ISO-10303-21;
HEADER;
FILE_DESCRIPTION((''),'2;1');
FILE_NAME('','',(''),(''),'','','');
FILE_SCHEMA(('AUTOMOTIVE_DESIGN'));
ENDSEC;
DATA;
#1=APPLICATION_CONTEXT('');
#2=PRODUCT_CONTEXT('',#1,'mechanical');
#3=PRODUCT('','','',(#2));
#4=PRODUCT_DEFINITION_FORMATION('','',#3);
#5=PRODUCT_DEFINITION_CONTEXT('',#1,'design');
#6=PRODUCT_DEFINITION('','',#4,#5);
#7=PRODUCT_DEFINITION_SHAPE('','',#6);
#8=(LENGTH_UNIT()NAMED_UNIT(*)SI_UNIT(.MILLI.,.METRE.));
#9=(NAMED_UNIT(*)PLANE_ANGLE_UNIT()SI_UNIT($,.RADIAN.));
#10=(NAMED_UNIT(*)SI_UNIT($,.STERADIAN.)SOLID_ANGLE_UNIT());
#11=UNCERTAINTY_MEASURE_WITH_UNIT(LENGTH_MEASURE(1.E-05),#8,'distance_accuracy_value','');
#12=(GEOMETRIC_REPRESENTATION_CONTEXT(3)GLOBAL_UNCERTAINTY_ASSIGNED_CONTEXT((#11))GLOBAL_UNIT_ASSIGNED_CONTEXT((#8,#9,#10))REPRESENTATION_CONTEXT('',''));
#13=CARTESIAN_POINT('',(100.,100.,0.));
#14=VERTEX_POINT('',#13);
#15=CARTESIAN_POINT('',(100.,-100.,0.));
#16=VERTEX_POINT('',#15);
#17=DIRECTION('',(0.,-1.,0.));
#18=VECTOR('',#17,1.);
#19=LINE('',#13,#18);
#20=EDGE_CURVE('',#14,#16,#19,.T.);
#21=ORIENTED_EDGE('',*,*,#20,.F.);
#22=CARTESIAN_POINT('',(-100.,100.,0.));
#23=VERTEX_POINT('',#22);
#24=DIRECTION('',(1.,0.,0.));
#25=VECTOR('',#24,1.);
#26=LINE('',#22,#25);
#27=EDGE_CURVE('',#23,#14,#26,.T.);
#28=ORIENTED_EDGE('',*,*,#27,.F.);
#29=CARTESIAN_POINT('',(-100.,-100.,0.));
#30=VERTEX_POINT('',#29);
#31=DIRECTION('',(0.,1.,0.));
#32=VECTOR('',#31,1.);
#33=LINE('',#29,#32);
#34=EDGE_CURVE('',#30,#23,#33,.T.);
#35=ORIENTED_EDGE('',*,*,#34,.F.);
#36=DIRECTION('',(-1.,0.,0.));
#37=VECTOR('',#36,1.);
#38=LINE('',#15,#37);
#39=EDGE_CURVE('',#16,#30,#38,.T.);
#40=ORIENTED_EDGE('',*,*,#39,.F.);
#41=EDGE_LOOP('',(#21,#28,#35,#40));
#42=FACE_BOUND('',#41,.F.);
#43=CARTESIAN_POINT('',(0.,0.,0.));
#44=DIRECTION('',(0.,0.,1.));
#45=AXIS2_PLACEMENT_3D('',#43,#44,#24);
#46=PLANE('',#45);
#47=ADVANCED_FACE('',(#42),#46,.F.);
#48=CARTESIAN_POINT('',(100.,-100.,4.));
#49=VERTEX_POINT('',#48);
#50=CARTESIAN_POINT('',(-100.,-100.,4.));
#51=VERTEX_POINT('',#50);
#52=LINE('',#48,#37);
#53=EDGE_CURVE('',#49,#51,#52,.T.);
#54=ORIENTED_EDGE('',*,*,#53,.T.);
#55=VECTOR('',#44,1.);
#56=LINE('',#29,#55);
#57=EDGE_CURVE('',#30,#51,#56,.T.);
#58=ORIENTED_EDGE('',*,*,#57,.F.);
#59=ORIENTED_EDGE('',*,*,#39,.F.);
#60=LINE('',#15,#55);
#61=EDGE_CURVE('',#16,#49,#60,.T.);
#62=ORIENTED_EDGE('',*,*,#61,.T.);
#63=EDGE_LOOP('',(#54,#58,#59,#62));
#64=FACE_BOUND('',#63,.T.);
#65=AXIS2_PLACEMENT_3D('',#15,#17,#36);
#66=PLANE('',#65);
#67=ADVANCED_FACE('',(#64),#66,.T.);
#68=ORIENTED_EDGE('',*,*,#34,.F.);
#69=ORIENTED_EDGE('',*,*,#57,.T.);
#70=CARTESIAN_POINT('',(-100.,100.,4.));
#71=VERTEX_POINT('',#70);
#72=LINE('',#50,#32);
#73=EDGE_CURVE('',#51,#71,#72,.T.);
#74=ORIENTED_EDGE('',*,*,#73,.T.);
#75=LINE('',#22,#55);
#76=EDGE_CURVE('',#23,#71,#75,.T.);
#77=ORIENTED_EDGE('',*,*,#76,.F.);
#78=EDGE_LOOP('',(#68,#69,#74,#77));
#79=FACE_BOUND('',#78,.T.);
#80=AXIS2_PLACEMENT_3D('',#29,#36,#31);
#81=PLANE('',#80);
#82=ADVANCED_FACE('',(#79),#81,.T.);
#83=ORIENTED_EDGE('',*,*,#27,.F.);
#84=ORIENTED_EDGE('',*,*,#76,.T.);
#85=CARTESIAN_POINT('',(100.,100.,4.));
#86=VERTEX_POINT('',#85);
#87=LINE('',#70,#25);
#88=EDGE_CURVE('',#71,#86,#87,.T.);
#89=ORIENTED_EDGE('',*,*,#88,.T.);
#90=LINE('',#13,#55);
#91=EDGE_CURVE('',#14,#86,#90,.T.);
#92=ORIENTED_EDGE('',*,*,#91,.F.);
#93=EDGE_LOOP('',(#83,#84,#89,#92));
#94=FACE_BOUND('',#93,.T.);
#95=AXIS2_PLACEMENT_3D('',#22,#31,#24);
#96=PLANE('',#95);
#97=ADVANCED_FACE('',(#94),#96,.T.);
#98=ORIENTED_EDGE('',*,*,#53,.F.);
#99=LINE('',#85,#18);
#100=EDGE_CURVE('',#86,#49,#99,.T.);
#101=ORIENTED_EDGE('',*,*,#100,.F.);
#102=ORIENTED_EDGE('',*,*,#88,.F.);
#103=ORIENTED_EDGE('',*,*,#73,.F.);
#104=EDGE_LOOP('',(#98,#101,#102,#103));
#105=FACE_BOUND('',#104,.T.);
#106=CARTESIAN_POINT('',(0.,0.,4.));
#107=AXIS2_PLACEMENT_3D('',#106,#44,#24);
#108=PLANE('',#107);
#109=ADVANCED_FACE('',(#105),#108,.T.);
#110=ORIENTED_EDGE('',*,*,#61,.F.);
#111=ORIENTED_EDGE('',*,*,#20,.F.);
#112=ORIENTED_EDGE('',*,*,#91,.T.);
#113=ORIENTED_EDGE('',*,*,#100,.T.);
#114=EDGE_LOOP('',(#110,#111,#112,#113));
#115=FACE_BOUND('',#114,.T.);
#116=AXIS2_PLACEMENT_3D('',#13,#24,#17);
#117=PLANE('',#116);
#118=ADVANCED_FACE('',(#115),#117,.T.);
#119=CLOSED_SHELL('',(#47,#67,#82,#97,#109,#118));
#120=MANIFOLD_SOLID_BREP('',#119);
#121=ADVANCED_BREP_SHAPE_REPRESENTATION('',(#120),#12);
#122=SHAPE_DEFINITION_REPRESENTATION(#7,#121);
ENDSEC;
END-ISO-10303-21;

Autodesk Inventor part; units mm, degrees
ref_plane "YZ Plane" through (0, 0, 0) normal (1, 0, 0) x (0, 1, 0)
ref_plane "XZ Plane" through (0, 0, 0) normal (0, 1, 0) x (-1, 0, 0)
ref_plane "XY Plane" through (0, 0, 0) normal (0, 0, 1) x (1, 0, 0)
sketch "Sketch1" plane through (0, 0, 0) normal (0, 0, 1) x (1, 0, 0)
  line L0 (-100, 100) -> (100, 100)
  line L1 (100, 100) -> (100, -100)
  line L2 (100, -100) -> (-100, -100)
  line L3 (-100, -100) -> (-100, 100)
  point P0 (0, 0)
  dimension "d0" = 200
  dimension "d1" = 200
  dimension "d2" = 100
  dimension "d3" = 100
extrude "Tykkelsen" add sketch "Sketch1" along normal blind 4
equation "\"d2\" = 0.5 * d0"
equation "\"d3\" = 0.5 * d1"
properties part number "Glas byggeplade" material "Glass"
